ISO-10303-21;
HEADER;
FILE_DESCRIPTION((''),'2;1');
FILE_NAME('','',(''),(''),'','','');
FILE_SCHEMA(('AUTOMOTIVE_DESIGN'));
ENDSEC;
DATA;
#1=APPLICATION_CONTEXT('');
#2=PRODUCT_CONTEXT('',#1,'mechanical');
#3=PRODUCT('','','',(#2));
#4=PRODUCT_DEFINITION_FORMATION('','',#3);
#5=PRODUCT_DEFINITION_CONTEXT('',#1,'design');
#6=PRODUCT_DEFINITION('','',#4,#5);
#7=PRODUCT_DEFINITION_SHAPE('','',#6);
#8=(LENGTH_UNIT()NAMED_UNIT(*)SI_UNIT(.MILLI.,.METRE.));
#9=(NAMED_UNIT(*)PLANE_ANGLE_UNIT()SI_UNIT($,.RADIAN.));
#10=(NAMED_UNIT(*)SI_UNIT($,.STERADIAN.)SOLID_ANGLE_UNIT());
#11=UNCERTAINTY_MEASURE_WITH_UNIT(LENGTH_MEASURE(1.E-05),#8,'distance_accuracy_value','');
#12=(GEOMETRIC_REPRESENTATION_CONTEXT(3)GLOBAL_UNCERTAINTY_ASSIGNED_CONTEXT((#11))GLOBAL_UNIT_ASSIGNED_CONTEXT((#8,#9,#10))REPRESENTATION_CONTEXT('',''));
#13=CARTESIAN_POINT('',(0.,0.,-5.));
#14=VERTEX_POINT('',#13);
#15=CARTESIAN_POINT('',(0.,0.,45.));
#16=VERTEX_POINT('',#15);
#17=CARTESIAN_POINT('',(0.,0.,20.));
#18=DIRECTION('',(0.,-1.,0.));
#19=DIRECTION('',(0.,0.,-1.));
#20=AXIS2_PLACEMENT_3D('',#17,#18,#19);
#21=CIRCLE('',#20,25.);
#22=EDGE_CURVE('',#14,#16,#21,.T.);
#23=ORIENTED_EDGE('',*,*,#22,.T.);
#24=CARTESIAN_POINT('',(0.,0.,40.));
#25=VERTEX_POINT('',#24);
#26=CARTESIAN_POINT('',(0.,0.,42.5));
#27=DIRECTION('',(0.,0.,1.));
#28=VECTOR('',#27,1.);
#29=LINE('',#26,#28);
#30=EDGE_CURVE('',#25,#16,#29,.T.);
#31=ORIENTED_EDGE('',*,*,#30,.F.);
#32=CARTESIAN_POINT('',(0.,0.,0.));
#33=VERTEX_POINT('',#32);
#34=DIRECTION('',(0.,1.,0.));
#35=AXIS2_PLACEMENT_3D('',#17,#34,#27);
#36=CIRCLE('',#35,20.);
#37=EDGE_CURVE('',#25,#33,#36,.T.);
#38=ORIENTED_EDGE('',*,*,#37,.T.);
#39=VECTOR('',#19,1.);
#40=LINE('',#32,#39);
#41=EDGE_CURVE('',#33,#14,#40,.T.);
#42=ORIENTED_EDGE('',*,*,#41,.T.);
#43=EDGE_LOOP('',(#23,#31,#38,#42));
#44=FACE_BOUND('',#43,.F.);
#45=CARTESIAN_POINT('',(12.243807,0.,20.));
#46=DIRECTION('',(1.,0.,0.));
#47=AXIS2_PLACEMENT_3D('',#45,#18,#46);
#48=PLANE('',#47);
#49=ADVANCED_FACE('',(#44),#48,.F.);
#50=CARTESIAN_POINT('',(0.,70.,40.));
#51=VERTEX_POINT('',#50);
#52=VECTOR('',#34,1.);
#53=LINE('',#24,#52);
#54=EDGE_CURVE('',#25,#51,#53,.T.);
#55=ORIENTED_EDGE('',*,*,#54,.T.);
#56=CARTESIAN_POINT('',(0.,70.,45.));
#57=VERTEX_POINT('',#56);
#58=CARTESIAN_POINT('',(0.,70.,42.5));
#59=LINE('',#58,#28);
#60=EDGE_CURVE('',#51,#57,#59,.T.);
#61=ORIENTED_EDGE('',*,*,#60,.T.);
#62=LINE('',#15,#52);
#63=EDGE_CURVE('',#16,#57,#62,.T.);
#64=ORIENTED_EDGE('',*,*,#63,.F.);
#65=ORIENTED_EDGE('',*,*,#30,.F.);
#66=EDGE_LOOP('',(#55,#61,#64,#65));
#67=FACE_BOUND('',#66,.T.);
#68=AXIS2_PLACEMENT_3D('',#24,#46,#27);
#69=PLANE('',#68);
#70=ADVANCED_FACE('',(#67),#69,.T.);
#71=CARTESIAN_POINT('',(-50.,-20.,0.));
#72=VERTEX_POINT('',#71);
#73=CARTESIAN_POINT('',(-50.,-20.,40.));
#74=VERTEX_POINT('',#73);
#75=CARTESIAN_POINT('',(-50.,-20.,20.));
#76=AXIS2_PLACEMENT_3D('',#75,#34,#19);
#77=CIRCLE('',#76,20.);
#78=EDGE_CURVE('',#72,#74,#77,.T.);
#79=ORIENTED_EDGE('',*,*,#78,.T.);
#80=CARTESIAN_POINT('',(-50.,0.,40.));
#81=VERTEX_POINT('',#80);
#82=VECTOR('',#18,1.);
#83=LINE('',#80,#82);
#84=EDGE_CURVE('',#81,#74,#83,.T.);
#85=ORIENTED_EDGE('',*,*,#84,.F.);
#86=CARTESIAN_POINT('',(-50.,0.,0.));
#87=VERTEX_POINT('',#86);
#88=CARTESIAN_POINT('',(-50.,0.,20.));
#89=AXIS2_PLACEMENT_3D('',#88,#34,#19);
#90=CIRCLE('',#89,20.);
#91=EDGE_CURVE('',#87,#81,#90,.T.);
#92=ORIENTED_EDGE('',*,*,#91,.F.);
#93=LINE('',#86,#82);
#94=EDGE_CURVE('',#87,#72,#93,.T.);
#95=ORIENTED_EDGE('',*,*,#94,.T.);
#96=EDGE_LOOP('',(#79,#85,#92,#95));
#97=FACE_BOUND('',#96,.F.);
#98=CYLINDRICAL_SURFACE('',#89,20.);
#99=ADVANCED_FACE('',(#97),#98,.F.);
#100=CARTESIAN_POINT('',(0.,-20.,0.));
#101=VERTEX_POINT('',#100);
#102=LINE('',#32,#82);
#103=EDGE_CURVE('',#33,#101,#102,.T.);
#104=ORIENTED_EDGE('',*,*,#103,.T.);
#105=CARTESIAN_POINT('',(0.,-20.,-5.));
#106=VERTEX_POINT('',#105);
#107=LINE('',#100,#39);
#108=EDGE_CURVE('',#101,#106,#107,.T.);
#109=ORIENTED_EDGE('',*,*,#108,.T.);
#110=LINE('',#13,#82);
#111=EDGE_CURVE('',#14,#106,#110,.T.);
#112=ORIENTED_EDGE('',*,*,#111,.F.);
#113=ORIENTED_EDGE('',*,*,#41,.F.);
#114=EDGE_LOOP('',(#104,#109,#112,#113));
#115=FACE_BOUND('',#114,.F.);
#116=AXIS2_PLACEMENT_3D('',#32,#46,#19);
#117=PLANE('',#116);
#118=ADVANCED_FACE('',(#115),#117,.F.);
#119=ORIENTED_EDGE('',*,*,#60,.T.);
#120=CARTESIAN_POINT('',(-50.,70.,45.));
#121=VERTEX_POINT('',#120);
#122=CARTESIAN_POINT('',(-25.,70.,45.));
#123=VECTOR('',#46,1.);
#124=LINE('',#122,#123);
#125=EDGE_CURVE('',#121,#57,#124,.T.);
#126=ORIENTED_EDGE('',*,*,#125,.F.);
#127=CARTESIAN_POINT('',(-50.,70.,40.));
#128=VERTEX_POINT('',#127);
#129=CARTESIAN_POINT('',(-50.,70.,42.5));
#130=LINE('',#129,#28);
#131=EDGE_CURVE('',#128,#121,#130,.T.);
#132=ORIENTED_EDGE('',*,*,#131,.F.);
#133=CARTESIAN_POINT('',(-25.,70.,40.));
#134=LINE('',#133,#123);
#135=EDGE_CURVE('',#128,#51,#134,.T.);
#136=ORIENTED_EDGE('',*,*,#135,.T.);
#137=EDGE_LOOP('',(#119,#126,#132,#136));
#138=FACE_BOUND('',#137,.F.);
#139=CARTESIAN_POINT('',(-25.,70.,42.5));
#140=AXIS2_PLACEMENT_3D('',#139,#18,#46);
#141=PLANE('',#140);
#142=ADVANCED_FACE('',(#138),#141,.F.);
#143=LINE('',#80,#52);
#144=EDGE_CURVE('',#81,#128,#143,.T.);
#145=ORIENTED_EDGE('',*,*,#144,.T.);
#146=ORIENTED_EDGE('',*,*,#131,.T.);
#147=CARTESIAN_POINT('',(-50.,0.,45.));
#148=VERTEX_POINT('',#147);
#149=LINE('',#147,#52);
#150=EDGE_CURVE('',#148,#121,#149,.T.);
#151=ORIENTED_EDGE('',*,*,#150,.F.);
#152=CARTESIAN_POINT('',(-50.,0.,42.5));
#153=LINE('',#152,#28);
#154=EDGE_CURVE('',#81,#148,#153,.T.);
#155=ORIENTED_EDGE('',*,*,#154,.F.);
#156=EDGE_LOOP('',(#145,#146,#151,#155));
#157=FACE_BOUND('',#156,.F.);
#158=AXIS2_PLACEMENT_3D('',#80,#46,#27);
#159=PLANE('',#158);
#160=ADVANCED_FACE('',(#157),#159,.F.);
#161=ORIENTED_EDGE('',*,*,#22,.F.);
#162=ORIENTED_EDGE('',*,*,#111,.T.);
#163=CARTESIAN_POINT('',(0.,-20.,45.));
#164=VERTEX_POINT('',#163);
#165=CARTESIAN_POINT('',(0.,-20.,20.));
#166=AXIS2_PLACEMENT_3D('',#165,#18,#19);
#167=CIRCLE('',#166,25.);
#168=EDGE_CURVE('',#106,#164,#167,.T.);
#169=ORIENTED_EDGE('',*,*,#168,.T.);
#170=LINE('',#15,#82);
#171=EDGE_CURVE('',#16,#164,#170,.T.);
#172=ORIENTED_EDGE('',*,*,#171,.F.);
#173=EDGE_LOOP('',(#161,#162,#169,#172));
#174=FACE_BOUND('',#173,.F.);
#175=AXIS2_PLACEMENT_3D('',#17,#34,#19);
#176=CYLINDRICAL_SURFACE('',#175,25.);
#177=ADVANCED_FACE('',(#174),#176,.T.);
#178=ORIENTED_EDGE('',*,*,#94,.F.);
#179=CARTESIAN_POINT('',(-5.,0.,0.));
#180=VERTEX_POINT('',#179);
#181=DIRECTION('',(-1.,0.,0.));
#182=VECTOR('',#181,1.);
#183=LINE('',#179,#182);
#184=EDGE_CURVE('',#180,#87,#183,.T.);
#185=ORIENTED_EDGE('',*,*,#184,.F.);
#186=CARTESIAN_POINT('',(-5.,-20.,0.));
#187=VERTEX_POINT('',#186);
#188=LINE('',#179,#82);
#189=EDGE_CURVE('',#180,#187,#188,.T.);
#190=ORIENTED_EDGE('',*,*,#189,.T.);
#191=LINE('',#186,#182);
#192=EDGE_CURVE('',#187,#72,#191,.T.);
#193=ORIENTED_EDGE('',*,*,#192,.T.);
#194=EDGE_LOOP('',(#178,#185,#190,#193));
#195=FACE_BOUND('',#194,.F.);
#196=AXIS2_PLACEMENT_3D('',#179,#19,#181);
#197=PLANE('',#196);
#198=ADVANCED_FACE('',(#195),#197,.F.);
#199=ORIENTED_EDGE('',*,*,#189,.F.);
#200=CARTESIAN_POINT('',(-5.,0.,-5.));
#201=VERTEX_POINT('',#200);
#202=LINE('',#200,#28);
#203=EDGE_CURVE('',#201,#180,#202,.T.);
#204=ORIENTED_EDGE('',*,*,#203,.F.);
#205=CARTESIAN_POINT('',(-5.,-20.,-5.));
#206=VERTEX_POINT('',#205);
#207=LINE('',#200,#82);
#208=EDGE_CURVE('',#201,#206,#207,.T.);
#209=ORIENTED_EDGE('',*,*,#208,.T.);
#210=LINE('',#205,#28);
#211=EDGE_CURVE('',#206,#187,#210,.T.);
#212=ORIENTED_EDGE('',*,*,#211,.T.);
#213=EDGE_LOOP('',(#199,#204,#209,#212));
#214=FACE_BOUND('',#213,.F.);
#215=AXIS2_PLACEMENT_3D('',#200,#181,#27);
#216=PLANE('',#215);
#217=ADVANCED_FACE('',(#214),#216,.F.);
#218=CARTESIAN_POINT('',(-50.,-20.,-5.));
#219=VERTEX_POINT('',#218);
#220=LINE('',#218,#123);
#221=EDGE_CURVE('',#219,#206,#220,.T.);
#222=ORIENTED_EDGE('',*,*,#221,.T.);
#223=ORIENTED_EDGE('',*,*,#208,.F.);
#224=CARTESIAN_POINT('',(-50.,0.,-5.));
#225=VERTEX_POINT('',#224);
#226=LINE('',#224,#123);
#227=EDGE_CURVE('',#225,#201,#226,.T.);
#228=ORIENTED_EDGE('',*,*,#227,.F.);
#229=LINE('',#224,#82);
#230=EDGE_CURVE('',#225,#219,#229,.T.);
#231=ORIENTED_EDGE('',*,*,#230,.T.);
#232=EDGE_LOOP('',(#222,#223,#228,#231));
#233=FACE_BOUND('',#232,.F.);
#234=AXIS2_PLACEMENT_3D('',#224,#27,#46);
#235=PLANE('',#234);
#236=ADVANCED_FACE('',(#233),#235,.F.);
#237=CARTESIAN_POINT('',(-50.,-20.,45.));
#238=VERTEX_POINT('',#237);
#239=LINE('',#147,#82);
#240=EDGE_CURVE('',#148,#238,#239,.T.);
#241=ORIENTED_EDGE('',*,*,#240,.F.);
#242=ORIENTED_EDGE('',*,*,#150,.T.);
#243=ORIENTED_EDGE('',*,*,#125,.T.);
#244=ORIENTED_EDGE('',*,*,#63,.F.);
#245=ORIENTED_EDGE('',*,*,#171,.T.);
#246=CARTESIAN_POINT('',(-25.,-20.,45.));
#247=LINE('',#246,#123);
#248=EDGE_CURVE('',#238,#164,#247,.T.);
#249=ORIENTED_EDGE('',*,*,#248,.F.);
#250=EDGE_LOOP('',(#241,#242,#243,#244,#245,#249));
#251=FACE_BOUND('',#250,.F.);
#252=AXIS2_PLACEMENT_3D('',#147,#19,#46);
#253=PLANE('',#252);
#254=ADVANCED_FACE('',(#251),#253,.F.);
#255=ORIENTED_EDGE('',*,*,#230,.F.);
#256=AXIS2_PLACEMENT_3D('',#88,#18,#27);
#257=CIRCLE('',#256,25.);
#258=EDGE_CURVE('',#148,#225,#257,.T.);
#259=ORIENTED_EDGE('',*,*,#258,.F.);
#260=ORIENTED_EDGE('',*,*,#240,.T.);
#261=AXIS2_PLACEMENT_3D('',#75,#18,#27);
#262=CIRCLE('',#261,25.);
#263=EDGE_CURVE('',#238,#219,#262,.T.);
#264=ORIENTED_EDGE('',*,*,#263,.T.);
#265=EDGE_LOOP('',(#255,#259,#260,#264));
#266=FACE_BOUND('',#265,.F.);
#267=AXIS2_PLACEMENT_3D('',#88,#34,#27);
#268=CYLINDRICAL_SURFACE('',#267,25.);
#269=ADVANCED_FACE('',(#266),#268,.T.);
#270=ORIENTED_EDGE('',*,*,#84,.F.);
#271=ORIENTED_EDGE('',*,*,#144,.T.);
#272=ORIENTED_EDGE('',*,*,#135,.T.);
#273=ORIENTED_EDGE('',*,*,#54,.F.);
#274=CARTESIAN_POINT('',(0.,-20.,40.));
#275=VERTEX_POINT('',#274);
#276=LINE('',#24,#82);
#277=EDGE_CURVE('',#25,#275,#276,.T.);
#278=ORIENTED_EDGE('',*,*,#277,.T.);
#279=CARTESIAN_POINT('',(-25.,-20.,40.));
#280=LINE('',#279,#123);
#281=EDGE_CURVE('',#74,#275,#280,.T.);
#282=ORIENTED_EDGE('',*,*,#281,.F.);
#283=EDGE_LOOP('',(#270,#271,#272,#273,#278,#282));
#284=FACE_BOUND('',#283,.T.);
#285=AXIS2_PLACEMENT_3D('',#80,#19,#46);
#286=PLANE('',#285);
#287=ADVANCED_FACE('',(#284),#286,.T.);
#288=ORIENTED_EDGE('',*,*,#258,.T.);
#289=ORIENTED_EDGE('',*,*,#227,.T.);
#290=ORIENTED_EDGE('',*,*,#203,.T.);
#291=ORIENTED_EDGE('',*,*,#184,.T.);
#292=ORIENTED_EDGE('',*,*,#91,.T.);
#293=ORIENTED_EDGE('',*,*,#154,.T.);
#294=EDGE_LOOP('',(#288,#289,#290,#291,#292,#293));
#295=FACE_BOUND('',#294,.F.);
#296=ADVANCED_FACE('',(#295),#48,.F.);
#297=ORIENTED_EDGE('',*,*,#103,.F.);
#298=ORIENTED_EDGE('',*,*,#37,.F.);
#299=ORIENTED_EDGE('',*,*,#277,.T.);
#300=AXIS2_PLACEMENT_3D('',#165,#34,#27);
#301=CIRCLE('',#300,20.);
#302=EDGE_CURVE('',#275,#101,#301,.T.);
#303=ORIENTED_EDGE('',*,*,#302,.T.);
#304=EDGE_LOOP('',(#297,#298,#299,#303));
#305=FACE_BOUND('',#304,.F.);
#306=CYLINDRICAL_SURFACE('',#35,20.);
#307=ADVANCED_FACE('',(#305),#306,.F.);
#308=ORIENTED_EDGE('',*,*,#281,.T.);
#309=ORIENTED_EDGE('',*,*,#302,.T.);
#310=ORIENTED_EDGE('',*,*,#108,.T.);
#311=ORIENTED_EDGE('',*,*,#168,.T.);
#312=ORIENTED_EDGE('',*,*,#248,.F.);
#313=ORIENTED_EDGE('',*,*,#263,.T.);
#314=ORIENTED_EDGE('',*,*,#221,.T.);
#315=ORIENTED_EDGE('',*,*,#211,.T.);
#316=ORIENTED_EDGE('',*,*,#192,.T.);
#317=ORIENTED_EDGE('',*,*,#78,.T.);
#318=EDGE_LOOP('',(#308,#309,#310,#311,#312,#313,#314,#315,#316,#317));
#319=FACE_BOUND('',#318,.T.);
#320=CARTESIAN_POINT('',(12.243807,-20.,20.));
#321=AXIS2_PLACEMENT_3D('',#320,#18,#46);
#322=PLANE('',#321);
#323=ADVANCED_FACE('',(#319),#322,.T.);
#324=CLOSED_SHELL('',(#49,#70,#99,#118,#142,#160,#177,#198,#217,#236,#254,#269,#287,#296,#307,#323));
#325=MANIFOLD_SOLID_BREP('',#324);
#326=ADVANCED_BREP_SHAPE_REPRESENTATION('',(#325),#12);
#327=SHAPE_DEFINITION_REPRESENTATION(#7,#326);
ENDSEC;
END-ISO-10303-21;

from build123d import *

# Parameters (mm, degrees)
F0_W     = 50
F0_H     = 5
F1_DEPTH = 20
F2_DEPTH = 70


with BuildPart() as f1:
    # F0 (on Front) → F1 (new body)
    with BuildSketch(Plane.XZ):
        with BuildLine():
            ThreePointArc((0, 40), (20, 20), (0, 0))
            Line((0, 0), (0, -5))
            ThreePointArc((0, -5), (25, 20), (0, 45))
            Line((0, 45), (0, 40))
        make_face()
        with Locations((-25, 42.5)):
            Rectangle(F0_W, F0_H)
        with BuildLine():
            Line((-5, -5), (-5, 0))
            Line((-5, 0), (-50, 0))
            ThreePointArc((-50, 0), (-70, 20), (-50, 40))
            Line((-50, 40), (-50, 45))
            ThreePointArc((-50, 45), (-75, 20), (-50, -5))
            Line((-50, -5), (-5, -5))
        make_face()
    extrude(amount=F1_DEPTH)

    # F0 (on Front) → F2 (join)
    with BuildSketch(Plane.XZ):
        with Locations((-25, 42.5)):
            Rectangle(F0_W, F0_H)
    extrude(amount=-F2_DEPTH)


solid = f1.part
